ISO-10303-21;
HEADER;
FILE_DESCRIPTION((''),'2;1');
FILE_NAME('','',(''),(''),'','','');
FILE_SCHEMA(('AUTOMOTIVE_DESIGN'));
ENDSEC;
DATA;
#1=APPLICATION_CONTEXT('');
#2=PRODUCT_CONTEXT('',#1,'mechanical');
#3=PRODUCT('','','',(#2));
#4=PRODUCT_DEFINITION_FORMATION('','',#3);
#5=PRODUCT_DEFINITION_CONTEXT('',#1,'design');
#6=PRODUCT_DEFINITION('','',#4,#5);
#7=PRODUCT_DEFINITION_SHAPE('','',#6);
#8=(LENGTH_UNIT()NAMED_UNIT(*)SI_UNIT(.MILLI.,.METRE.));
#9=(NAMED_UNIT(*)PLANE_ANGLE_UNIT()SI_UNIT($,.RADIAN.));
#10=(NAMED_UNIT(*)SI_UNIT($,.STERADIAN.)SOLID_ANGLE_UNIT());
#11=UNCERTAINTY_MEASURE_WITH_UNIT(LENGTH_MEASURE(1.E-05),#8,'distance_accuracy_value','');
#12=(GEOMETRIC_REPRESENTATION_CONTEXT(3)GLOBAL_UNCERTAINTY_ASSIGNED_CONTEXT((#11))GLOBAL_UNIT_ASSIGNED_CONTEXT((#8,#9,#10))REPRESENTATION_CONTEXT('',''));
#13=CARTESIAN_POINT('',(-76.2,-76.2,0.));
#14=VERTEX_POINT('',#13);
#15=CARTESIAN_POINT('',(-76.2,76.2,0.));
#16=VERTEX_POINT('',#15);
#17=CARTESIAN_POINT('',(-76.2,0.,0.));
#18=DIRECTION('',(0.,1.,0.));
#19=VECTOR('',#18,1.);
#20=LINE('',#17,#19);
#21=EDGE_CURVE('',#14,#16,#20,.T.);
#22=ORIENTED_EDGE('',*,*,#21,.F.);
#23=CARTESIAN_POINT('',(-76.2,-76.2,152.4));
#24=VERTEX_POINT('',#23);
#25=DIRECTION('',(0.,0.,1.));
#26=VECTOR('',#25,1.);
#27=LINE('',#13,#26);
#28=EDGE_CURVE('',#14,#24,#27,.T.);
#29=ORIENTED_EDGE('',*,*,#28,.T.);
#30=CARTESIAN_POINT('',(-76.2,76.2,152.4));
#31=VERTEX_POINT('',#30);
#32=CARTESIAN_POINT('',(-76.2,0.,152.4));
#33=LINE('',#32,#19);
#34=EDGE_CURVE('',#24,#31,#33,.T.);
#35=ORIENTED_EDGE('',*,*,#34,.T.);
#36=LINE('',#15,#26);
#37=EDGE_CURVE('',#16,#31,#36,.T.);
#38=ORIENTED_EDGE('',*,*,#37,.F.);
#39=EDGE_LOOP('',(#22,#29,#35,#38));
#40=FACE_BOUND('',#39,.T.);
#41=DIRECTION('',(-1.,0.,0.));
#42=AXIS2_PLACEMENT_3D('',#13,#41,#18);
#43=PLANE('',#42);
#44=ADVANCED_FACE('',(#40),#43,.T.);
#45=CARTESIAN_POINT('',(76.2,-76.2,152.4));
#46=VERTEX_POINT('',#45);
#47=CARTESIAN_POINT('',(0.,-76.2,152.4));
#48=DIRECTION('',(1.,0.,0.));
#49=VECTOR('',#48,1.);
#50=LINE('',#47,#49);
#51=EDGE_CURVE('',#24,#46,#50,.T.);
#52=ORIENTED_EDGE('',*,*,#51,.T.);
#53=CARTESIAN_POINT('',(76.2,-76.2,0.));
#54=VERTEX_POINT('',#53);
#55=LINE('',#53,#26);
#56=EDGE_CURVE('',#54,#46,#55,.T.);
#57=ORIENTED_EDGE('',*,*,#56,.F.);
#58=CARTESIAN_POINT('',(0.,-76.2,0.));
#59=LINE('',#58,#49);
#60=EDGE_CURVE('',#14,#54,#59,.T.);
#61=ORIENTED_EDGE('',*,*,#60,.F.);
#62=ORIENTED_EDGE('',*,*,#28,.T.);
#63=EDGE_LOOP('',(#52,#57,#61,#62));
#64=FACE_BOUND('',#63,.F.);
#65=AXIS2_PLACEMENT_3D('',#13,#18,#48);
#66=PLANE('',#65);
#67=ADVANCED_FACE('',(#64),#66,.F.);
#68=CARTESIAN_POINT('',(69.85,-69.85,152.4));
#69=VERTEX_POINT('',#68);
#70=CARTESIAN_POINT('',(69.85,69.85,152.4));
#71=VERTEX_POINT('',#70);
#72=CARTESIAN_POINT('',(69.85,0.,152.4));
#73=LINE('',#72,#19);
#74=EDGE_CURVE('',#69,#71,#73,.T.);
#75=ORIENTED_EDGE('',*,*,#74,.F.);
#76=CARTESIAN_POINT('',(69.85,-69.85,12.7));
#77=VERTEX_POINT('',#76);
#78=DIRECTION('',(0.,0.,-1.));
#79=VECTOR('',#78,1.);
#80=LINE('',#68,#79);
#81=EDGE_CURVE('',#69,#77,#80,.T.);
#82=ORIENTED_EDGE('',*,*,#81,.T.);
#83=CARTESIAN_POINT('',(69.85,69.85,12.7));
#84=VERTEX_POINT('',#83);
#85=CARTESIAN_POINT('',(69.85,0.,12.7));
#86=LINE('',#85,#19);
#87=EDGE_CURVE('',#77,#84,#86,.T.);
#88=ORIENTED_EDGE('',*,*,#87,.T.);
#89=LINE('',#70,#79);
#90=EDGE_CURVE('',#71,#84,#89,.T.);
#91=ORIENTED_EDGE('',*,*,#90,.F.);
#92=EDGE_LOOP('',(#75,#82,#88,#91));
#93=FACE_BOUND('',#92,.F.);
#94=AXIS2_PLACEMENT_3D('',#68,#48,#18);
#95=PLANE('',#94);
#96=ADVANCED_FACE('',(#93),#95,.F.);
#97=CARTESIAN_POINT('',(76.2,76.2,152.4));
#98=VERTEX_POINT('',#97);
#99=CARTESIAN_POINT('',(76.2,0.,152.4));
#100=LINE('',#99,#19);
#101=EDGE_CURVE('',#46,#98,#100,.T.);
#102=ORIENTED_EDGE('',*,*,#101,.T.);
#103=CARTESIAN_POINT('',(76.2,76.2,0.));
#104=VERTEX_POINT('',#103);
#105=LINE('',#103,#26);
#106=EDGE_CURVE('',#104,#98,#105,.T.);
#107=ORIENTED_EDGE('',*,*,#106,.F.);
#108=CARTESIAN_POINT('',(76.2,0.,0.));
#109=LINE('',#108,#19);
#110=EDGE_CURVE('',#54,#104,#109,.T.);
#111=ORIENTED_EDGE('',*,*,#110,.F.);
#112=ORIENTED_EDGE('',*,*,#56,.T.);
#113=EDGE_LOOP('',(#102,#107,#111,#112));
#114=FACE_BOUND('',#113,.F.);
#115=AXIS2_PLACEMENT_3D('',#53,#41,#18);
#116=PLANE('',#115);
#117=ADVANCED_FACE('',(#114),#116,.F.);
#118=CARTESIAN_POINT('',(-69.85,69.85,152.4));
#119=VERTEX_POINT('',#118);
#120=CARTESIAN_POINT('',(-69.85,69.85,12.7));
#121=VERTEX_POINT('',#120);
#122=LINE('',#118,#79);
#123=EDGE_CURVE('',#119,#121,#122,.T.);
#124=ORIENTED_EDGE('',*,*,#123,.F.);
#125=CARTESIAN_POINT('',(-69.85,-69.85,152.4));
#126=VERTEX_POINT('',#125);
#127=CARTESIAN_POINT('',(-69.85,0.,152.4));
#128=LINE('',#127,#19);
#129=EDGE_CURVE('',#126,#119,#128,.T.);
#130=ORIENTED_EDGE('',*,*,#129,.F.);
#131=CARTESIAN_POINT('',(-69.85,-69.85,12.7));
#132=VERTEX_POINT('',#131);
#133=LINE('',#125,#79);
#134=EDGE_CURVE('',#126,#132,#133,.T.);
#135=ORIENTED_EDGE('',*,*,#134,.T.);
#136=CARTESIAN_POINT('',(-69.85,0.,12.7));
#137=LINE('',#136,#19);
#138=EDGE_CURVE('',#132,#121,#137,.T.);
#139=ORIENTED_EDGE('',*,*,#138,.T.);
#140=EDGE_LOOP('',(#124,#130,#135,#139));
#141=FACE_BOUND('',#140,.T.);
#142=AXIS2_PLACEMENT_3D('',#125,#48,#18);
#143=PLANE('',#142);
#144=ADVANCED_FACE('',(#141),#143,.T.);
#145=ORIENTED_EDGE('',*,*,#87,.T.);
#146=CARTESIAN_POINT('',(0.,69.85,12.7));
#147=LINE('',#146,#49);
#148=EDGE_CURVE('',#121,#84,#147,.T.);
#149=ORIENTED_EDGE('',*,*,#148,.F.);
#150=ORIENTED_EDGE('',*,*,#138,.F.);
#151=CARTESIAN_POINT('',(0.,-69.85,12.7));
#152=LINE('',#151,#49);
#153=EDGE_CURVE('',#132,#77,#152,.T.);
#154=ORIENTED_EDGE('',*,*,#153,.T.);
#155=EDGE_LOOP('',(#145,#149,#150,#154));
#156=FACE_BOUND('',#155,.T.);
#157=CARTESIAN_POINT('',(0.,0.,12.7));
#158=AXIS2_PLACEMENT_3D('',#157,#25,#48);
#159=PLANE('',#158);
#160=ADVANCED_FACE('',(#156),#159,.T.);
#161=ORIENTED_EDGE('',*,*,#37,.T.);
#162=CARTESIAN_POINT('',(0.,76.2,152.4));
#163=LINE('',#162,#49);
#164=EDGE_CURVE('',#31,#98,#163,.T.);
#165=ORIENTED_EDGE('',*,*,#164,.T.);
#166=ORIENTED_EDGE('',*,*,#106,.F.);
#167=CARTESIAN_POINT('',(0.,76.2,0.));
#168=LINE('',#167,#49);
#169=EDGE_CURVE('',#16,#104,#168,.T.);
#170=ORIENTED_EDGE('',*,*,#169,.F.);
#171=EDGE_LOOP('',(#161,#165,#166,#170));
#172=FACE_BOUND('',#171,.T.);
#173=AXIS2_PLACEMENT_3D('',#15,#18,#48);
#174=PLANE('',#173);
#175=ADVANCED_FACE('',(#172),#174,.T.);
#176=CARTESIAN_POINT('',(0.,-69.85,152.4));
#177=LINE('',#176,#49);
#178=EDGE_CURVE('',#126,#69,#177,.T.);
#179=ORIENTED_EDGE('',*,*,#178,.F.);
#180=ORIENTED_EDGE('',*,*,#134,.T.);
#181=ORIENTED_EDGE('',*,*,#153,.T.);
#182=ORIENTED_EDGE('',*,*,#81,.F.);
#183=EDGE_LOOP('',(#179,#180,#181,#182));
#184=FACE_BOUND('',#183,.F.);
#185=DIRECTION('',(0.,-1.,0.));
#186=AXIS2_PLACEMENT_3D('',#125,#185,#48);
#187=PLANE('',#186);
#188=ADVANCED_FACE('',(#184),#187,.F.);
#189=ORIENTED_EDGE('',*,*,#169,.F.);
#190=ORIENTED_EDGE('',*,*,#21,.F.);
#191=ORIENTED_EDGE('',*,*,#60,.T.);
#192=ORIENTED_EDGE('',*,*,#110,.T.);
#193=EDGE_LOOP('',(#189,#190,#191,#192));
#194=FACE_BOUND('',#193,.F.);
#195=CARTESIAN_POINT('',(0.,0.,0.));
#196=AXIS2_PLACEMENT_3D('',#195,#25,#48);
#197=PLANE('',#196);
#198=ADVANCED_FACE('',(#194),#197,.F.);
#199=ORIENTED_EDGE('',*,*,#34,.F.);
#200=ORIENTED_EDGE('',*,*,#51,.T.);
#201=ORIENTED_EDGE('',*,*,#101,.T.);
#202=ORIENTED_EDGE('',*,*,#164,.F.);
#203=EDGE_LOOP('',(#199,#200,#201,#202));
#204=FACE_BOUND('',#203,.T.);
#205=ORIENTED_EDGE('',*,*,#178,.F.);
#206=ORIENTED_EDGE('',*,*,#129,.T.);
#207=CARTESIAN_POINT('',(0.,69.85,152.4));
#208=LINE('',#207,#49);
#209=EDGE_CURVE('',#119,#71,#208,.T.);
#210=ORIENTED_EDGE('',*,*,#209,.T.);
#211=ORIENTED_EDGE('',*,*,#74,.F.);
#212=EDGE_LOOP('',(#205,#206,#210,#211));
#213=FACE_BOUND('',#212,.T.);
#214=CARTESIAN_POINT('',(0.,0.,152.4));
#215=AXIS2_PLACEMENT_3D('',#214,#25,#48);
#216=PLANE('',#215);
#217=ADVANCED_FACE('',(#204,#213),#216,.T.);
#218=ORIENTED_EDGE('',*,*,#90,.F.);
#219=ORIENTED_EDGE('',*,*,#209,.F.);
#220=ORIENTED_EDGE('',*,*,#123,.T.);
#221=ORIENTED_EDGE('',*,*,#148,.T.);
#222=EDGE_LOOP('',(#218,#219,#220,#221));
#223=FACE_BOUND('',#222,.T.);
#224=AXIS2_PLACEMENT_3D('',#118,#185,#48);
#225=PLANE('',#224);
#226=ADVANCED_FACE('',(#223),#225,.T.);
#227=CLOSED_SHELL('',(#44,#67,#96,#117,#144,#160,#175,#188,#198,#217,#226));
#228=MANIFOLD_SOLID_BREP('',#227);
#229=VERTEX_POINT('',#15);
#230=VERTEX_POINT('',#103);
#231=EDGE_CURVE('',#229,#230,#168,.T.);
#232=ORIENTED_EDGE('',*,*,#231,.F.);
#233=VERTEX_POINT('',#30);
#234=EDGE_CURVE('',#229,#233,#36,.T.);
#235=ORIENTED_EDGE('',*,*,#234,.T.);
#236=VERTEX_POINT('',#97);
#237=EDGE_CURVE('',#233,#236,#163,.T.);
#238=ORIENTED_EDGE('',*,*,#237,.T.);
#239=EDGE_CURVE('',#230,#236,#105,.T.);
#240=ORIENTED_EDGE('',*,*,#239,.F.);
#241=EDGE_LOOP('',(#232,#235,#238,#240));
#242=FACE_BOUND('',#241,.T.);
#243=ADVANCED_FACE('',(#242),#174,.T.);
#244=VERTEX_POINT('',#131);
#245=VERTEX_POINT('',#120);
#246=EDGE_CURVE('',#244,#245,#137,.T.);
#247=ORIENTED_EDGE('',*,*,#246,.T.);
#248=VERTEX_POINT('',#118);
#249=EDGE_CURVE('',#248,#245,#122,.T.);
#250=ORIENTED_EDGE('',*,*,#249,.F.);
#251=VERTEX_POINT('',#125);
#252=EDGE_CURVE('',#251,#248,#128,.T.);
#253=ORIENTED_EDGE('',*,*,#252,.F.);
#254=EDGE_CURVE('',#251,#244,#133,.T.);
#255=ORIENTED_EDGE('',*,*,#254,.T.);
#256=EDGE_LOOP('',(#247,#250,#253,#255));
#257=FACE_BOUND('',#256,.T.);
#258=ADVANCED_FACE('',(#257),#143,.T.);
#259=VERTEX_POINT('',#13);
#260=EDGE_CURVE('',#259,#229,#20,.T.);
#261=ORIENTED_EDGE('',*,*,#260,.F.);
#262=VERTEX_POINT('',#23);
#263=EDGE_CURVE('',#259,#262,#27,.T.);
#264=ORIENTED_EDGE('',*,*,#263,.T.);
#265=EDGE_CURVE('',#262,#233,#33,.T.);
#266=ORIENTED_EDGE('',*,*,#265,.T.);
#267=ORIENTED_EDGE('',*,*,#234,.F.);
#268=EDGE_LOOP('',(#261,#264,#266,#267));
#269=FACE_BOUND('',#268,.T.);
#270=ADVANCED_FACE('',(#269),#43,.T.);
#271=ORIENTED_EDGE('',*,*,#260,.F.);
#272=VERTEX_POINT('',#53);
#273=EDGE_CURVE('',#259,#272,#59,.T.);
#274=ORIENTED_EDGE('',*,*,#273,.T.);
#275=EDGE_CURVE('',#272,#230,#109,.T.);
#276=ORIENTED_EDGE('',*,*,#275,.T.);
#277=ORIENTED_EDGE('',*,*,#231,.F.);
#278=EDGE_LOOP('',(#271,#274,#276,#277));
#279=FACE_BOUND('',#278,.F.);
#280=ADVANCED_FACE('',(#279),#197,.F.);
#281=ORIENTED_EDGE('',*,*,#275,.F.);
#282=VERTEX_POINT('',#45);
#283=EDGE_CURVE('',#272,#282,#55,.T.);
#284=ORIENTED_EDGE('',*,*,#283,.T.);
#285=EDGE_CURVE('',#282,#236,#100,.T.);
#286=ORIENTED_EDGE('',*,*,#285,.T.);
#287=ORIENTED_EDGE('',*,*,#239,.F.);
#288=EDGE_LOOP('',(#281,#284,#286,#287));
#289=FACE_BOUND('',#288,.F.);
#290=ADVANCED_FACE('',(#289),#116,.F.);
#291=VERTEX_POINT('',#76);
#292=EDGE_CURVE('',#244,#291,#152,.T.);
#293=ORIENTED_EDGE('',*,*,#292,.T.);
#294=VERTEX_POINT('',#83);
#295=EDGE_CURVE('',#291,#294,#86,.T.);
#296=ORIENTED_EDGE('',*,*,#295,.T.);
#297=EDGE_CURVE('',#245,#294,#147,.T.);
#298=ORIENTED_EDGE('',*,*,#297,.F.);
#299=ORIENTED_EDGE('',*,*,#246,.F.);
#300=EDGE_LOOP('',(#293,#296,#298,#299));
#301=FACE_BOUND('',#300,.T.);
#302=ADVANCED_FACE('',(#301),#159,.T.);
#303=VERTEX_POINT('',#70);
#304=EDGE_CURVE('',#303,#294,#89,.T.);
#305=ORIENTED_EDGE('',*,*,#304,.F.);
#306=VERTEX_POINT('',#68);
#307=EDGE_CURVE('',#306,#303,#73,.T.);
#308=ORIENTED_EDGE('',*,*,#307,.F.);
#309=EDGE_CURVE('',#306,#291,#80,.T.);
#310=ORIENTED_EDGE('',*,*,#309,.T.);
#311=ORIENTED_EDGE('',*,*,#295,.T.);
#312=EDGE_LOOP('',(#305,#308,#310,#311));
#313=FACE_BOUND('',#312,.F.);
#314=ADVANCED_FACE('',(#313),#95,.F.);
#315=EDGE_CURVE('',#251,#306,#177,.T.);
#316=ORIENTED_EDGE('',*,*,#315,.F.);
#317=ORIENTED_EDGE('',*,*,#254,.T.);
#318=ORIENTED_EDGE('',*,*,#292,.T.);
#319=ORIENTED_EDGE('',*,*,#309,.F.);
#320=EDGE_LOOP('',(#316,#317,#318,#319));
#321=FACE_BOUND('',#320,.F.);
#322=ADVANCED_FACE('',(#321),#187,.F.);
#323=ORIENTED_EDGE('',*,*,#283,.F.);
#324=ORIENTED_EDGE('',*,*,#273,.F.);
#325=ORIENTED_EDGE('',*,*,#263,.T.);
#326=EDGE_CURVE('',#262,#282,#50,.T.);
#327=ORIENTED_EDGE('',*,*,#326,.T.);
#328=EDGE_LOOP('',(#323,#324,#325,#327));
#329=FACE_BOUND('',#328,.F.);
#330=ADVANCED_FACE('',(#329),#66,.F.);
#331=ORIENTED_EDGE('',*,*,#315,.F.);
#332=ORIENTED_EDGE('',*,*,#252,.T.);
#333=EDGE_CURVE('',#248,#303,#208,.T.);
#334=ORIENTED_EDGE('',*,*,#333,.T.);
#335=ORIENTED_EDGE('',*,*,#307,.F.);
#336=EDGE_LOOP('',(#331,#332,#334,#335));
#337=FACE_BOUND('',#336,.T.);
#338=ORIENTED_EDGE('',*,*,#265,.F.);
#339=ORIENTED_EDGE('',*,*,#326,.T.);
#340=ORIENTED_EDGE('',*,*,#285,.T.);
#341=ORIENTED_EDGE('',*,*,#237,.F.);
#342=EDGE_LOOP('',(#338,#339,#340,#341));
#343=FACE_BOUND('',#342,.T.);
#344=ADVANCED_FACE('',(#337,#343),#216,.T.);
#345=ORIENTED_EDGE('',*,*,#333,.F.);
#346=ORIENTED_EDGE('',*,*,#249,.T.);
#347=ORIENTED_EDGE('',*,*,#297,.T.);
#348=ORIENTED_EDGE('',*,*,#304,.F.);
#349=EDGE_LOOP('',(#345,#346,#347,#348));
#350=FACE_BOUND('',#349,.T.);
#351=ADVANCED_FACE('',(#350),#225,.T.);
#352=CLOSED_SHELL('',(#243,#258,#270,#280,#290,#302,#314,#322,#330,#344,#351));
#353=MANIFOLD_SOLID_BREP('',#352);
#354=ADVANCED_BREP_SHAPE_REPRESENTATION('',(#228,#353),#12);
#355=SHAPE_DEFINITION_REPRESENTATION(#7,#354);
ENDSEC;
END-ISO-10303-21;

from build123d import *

# Parameters (mm, degrees)
F0_W     = 152.4
F0_H     = 152.4
F2_DEPTH = 152.4
F1_W     = 152.4
F1_H     = 152.4
F3_W     = 139.7
F3_H     = 139.7
F4_DEPTH = 139.7


with BuildPart() as f2:
    # F0 (on Top) → F2 (new body)
    with BuildSketch(Plane.XY):
        Rectangle(F0_W, F0_H)
    extrude(amount=F2_DEPTH)


with BuildPart() as f2b:
    # F1 (on face) → F2, piece 2 (new body)
    with BuildSketch(Plane.XY):
        Rectangle(F1_W, F1_H)
    extrude(amount=F2_DEPTH)


with BuildPart() as f4_tool:
    # F3 (on face) → F4 (new body)
    with BuildSketch(Plane.XY.offset(152.4)):
        Rectangle(F3_W, F3_H)
    extrude(amount=-F4_DEPTH)


with BuildPart() as f2_1:
    add(f2.part)

    # F4: cut by f4_tool
    add(f4_tool.part, mode=Mode.SUBTRACT)


with BuildPart() as f2b_1:
    add(f2b.part)

    # F4: cut by f4_tool
    add(f4_tool.part, mode=Mode.SUBTRACT)


solid = Compound([f2_1.part, f2b_1.part])
